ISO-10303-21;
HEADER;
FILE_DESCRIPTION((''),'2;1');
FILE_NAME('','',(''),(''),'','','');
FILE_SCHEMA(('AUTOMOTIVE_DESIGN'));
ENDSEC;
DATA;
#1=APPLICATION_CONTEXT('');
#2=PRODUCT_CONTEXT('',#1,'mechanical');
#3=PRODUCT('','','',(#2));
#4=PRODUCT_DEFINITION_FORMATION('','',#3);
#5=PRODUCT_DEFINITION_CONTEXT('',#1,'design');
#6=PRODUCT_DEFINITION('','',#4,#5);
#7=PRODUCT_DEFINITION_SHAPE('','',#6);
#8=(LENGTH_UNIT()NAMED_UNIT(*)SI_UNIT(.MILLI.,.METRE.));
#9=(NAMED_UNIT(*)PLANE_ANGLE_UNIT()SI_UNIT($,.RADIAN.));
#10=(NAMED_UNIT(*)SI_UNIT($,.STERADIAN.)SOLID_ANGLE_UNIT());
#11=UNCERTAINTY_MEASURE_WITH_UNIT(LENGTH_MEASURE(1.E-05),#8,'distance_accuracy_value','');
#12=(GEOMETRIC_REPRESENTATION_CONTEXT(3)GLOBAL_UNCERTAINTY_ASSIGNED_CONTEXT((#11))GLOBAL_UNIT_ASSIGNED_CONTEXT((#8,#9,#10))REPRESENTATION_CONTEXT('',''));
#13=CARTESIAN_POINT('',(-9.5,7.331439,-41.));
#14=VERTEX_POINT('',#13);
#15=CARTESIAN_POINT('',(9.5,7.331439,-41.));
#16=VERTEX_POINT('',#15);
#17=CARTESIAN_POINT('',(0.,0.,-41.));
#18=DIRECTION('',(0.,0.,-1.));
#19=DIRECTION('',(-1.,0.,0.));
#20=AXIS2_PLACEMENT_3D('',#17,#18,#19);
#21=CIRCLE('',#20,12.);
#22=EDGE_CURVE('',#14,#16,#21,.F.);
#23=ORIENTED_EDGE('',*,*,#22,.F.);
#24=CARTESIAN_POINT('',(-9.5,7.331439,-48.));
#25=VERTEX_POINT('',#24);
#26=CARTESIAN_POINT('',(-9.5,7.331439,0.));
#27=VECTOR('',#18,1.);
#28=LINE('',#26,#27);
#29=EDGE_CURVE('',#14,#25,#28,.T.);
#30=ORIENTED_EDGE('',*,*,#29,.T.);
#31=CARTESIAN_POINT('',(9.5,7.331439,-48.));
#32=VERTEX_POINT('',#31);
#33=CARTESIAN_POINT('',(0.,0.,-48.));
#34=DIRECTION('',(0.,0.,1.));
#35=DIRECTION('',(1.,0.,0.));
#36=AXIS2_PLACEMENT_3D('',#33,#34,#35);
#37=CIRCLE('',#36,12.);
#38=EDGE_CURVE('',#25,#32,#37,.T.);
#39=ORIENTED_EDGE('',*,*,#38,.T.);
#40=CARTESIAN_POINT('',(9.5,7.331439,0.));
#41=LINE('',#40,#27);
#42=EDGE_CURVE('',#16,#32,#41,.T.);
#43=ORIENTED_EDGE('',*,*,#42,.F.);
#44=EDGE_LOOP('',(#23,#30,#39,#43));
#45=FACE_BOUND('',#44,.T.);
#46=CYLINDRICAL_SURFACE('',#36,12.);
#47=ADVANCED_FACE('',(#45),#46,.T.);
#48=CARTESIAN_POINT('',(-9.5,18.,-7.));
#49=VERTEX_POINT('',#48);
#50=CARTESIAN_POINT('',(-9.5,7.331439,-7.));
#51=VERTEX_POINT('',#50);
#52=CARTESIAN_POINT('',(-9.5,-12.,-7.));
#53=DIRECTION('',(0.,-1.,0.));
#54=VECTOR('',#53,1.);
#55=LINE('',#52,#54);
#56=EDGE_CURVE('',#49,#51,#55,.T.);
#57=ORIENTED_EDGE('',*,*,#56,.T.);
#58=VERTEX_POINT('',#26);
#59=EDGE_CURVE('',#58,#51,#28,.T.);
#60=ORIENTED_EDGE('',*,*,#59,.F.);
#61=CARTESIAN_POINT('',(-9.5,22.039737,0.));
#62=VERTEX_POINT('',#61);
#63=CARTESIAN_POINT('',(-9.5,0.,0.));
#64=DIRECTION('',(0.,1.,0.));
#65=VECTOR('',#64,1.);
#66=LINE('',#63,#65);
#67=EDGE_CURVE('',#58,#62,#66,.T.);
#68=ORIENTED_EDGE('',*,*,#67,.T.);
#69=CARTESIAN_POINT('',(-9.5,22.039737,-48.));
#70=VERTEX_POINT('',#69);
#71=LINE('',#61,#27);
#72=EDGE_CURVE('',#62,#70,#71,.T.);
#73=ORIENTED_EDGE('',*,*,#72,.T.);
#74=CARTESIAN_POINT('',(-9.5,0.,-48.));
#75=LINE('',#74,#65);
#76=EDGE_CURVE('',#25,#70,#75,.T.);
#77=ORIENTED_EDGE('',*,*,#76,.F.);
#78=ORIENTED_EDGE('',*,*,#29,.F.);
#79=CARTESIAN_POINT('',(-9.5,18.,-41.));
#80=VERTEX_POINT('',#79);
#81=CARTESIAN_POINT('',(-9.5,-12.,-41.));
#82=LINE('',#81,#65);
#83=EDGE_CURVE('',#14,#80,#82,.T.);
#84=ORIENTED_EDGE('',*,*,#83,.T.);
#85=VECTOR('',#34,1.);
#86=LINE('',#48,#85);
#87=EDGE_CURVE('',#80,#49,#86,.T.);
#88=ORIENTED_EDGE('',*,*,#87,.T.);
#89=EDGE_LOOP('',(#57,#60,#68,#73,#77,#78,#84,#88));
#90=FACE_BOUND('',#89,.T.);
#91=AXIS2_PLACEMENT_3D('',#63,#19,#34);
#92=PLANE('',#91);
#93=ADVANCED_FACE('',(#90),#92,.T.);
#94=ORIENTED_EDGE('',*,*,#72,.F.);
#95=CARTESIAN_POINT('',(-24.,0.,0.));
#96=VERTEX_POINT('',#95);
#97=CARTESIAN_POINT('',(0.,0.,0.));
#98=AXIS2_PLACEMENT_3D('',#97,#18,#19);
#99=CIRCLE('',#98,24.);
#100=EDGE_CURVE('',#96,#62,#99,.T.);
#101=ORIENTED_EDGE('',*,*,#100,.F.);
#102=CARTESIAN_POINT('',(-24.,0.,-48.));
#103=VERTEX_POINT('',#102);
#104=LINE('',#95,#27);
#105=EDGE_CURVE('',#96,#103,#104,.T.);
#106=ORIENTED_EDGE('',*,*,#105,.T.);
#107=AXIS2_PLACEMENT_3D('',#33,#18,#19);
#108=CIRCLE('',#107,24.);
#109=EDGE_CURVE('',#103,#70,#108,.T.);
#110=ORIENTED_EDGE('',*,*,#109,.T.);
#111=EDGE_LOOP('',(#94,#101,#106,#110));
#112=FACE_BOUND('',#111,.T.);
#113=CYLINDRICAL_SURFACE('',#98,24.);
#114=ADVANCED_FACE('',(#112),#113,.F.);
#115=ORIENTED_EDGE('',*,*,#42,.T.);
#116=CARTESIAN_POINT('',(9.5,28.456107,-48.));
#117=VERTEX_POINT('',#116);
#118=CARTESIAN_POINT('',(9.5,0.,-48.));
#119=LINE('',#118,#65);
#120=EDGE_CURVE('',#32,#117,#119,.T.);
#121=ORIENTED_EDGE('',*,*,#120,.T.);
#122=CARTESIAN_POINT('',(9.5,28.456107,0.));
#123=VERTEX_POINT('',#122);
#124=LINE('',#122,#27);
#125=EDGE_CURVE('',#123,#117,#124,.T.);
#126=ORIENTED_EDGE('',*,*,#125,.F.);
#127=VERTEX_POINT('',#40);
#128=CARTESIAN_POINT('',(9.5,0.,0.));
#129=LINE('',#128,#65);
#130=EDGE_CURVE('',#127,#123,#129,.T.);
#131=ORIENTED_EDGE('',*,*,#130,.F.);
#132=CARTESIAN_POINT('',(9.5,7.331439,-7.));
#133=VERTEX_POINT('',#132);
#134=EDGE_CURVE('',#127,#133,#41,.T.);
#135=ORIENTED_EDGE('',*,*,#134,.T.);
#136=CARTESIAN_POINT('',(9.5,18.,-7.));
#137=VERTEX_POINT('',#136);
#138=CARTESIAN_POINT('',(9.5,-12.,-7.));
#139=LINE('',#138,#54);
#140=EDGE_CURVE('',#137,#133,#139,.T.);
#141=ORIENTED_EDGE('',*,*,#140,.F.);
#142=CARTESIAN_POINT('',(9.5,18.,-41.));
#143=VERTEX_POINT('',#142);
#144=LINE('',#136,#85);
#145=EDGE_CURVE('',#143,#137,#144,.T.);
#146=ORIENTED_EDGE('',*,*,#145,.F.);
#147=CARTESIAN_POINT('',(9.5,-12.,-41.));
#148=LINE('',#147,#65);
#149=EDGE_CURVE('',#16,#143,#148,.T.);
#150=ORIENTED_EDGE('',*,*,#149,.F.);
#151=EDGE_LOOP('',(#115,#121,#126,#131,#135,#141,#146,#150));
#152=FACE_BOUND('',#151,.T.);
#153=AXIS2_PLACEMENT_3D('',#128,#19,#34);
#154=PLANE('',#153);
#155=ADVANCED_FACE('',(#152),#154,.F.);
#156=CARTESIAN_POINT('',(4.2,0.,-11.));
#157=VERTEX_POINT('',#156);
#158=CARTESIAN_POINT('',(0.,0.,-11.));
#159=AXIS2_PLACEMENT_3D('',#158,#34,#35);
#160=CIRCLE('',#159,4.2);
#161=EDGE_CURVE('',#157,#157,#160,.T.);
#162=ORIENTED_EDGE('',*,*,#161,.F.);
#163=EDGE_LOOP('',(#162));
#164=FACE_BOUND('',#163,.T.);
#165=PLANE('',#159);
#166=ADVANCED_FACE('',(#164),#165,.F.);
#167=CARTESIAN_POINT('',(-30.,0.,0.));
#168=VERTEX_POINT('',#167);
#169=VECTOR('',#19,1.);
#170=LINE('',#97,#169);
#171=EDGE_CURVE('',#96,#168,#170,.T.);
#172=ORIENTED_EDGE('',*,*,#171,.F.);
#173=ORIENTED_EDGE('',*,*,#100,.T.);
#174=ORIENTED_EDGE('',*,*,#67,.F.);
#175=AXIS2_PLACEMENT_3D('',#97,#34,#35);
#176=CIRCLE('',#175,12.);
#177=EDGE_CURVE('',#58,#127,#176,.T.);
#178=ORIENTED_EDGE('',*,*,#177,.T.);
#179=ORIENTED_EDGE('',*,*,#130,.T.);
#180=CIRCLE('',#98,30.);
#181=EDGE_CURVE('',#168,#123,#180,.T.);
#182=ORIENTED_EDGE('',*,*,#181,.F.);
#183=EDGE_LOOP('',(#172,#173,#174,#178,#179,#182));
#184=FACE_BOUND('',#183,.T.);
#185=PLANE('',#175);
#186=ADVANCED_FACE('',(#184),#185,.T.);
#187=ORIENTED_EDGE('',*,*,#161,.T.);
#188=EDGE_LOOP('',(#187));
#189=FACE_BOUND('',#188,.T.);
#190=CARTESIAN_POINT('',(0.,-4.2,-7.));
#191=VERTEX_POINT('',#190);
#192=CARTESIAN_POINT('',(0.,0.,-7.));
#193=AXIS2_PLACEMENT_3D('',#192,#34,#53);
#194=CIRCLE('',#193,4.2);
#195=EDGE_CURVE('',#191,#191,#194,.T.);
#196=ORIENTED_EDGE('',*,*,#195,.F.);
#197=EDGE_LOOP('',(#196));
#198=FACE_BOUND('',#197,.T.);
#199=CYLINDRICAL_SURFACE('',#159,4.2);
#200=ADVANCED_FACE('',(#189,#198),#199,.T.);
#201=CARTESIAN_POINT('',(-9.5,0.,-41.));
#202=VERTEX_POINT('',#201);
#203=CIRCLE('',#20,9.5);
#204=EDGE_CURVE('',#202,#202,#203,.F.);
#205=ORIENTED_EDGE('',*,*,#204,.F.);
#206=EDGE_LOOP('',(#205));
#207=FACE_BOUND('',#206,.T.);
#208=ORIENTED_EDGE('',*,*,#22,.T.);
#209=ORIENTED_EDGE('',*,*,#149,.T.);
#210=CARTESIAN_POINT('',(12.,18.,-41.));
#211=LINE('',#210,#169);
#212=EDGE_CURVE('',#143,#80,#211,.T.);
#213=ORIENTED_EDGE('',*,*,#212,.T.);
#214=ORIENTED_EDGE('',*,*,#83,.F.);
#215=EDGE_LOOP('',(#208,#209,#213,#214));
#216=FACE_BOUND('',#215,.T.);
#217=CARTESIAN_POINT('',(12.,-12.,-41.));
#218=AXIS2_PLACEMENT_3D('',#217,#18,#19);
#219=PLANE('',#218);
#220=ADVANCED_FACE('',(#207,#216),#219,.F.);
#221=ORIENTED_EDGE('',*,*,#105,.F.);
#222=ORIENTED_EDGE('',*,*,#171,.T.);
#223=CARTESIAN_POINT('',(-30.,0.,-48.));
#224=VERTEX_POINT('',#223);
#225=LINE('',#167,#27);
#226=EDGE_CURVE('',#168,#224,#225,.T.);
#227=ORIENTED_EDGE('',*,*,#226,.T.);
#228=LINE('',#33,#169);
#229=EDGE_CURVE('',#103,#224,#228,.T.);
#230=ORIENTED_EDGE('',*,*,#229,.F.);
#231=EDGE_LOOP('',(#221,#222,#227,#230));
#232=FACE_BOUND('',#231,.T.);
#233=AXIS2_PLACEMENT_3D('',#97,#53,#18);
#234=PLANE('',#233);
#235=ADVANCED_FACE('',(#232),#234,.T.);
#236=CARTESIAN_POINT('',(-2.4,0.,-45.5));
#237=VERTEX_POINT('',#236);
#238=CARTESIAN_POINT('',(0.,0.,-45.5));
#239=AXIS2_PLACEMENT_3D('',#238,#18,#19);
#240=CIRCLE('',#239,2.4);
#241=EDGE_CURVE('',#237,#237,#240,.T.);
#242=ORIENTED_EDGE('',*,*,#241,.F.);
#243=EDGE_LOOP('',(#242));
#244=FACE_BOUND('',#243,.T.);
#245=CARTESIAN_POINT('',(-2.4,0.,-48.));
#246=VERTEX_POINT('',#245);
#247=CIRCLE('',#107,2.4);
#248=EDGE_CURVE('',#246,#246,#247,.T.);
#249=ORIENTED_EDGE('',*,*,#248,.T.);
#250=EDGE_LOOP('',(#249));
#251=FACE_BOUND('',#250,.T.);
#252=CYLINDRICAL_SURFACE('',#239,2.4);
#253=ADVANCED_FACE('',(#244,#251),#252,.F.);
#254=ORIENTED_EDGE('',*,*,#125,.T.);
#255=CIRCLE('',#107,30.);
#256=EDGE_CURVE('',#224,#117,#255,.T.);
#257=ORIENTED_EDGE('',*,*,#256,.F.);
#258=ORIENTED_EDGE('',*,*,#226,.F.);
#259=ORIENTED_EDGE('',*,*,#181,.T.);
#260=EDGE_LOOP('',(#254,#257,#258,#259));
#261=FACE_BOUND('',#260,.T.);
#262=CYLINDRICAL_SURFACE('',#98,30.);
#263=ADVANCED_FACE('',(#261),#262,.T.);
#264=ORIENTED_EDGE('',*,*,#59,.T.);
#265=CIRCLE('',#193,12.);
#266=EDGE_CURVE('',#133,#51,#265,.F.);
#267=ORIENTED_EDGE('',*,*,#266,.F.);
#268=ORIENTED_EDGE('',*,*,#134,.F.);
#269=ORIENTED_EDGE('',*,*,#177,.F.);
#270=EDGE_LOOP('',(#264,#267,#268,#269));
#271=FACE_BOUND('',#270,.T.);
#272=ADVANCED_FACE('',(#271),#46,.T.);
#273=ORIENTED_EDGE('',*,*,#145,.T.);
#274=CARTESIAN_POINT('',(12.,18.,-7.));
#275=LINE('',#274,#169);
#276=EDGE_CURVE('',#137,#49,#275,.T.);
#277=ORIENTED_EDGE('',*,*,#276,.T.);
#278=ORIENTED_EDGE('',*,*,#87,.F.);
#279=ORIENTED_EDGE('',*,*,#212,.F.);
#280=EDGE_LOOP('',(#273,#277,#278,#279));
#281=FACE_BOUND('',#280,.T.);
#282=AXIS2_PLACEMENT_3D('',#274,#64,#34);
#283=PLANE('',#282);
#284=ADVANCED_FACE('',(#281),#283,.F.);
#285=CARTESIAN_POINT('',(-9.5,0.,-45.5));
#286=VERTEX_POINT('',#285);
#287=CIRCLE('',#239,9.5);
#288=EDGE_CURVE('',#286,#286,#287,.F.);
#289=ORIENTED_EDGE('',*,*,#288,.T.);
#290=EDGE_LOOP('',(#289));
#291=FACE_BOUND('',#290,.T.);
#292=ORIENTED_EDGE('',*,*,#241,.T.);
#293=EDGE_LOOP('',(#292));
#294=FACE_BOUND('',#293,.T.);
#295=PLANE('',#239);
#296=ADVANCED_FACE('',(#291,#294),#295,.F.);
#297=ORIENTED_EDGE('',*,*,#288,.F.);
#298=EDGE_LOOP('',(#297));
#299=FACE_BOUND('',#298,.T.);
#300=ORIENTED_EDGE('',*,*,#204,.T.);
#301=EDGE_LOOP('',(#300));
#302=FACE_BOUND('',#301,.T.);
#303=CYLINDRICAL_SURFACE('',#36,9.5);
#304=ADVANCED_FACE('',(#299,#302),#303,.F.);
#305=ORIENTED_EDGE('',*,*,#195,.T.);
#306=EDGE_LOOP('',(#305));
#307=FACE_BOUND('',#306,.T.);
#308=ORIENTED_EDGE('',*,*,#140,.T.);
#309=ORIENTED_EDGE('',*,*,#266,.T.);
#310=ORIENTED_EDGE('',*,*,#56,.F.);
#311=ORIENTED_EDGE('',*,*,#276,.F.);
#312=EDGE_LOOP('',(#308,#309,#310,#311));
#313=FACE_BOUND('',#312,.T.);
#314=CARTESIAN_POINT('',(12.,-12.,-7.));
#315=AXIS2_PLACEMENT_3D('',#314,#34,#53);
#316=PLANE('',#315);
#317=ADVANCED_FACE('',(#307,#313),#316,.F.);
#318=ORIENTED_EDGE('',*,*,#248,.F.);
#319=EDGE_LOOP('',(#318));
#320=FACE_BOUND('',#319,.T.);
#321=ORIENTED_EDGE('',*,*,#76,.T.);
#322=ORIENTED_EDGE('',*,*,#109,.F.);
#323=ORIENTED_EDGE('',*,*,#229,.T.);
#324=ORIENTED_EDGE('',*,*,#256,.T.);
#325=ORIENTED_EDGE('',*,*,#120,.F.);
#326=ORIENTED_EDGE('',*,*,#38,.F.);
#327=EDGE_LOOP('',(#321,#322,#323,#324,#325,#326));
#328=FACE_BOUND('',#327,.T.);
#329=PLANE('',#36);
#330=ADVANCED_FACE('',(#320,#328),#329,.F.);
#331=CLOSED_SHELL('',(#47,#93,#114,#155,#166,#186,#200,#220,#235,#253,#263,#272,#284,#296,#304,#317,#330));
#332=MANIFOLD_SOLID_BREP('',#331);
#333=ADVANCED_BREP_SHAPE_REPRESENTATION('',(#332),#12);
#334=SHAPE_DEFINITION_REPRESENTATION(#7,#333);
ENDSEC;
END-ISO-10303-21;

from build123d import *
from build123d.topology import SkipClean

# Parameters (mm, degrees)
SKETCH1_R           = 9.5
BOSS_EXTRUDE1_DEPTH = 48
SKETCH2_W           = 34
SKETCH2_H           = 30
CUT_EXTRUDE1_DEPTH  = 62.481704596
BOSS_EXTRUDE2_START = -2.5
SKETCH3_R           = 9.5
SKETCH3_R_2         = 2.4
BOSS_EXTRUDE2_DEPTH = 2.5
SKETCH4_R           = 9.5
SKETCH4_R_2         = 4.2
BOSS_EXTRUDE3_DEPTH = 7
SKETCH5_R           = 4.2
BOSS_EXTRUDE4_DEPTH = 11
CUT_EXTRUDE2_DEPTH  = 58.861904566
BOSS_EXTRUDE5_DEPTH = 48


with BuildPart() as part:
    # Sketch1 → Boss-Extrude1 (new body)
    with BuildSketch(Plane.XY):
        with BuildLine():
            Line((-12, 0), (-12, 30))
            Line((-12, 30), (12, 30))
            Line((12, 30), (12, 0))
            ThreePointArc((12, 0), (0, -12), (-12, 0))
        make_face()
        Circle(SKETCH1_R, mode=Mode.SUBTRACT)
    extrude(amount=-BOSS_EXTRUDE1_DEPTH)

    # Sketch2 → Cut-Extrude1 (cut, through all)
    with BuildSketch(Plane.ZY.offset(12)):
        with Locations((-24, 3)):
            Rectangle(SKETCH2_W, SKETCH2_H)
    extrude(amount=-CUT_EXTRUDE1_DEPTH, mode=Mode.SUBTRACT)

    # Sketch3 → Boss-Extrude2 (add)
    with BuildSketch(Plane(origin=(0, 0, -48), x_dir=(-1, 0, 0), z_dir=(0, 0, -1)).offset(BOSS_EXTRUDE2_START)):
        Circle(SKETCH3_R)
        Circle(SKETCH3_R_2, mode=Mode.SUBTRACT)
    extrude(amount=BOSS_EXTRUDE2_DEPTH)

    # Sketch4 → Boss-Extrude3 (add)
    with BuildSketch(Plane.XY):
        with Locations(Location((0, 0, 0), (0, 0, 180))):
            Circle(SKETCH4_R)
        Circle(SKETCH4_R_2, mode=Mode.SUBTRACT)
    extrude(amount=-BOSS_EXTRUDE3_DEPTH)

    # Sketch5 → Boss-Extrude4 (add)
    with BuildSketch(Plane.XY):
        Circle(SKETCH5_R)
    extrude(amount=-BOSS_EXTRUDE4_DEPTH)

    # Sketch6 → Cut-Extrude2 (cut, through all)
    with SkipClean():  # the faces are left unmerged after this step: merging them gives an invalid solid
        with BuildSketch(Plane(origin=(0, 0, -48), x_dir=(-1, 0, 0), z_dir=(0, 0, -1))):
            with BuildLine():
                Line((-12, 30), (-12, 27.49545417))
                ThreePointArc((-12, 27.49545417), (-10.760725498, 28.003692377), (-9.5, 28.45610655))
                Line((-9.5, 28.45610655), (-9.5, 30))
                Line((-9.5, 30), (-12, 30))
            make_face()
            with BuildLine():
                Line((-9.5, 30), (-9.5, 28.45610655))
                ThreePointArc((-9.5, 28.45610655), (-4.812317696, 29.611511248), (2.9e-08, 30))
                Line((2.9e-08, 30), (-9.5, 30))
            make_face()
            with BuildLine():
                ThreePointArc((2.9e-08, 30), (4.812317725, 29.611511243), (9.5, 28.45610655))
                Line((9.5, 28.45610655), (9.5, 30))
                Line((9.5, 30), (2.9e-08, 30))
            make_face()
            with BuildLine():
                Line((9.5, 30), (9.5, 28.45610655))
                ThreePointArc((9.5, 28.45610655), (10.760725498, 28.003692377), (12, 27.49545417))
                Line((12, 27.49545417), (12, 30))
                Line((12, 30), (9.5, 30))
            make_face()
            with BuildLine():
                Line((-12, 20.784609691), (-12, 0))
                ThreePointArc((-12, 0), (-11.357816692, 3.872983346), (-9.5, 7.331439149))
                Line((-9.5, 7.331439149), (-9.5, 22.039736841))
                ThreePointArc((-9.5, 22.039736841), (-10.768302375, 21.448628487), (-12, 20.784609691))
            make_face()
            with BuildLine():
                Line((-12, 27.49545417), (-12, 20.784609691))
                ThreePointArc((-12, 20.784609691), (-10.768302375, 21.448628487), (-9.5, 22.039736841))
                Line((-9.5, 22.039736841), (-9.5, 28.45610655))
                ThreePointArc((-9.5, 28.45610655), (-10.760725498, 28.003692377), (-12, 27.49545417))
            make_face()
            with BuildLine():
                Line((9.5, 22.039736841), (9.5, 9.5))
                Line((9.5, 9.5), (12, 12))
                Line((12, 12), (12, 20.784609691))
                ThreePointArc((12, 20.784609691), (10.768302375, 21.448628487), (9.5, 22.039736841))
            make_face()
            with BuildLine():
                ThreePointArc((9.5, 7.331439149), (11.357816692, 3.872983346), (12, 0))
                Line((12, 0), (12, 12))
                Line((12, 12), (9.5, 9.5))
                Line((9.5, 9.5), (9.5, 7.331439149))
            make_face()
        extrude(amount=-CUT_EXTRUDE2_DEPTH, mode=Mode.SUBTRACT)

    # Sketch7 → Boss-Extrude5 (add)
    with SkipClean():  # the faces are left unmerged after this step: merging them gives an invalid solid
        with BuildSketch(Plane(origin=(0, 0, -48), x_dir=(-1, 0, 0), z_dir=(0, 0, -1))):
            with BuildLine():
                ThreePointArc((12, 20.784609691), (14.610274296, 19.040480167), (16.970562748, 16.970562748))
                Line((16.970562748, 16.970562748), (21.213203436, 21.213203436))
                ThreePointArc((21.213203436, 21.213203436), (16.901061777, 24.786167732), (12, 27.49545417))
                Line((12, 27.49545417), (12, 20.784609691))
            make_face()
            with BuildLine():
                ThreePointArc((16.970562748, 16.970562748), (22.17310878, 9.184402377), (24, 0))
                Line((24, 0), (30, 0))
                ThreePointArc((30, 0), (27.716385975, 11.480502971), (21.213203436, 21.213203436))
                Line((21.213203436, 21.213203436), (16.970562748, 16.970562748))
            make_face()
        extrude(amount=-BOSS_EXTRUDE5_DEPTH)


solid = part.part
